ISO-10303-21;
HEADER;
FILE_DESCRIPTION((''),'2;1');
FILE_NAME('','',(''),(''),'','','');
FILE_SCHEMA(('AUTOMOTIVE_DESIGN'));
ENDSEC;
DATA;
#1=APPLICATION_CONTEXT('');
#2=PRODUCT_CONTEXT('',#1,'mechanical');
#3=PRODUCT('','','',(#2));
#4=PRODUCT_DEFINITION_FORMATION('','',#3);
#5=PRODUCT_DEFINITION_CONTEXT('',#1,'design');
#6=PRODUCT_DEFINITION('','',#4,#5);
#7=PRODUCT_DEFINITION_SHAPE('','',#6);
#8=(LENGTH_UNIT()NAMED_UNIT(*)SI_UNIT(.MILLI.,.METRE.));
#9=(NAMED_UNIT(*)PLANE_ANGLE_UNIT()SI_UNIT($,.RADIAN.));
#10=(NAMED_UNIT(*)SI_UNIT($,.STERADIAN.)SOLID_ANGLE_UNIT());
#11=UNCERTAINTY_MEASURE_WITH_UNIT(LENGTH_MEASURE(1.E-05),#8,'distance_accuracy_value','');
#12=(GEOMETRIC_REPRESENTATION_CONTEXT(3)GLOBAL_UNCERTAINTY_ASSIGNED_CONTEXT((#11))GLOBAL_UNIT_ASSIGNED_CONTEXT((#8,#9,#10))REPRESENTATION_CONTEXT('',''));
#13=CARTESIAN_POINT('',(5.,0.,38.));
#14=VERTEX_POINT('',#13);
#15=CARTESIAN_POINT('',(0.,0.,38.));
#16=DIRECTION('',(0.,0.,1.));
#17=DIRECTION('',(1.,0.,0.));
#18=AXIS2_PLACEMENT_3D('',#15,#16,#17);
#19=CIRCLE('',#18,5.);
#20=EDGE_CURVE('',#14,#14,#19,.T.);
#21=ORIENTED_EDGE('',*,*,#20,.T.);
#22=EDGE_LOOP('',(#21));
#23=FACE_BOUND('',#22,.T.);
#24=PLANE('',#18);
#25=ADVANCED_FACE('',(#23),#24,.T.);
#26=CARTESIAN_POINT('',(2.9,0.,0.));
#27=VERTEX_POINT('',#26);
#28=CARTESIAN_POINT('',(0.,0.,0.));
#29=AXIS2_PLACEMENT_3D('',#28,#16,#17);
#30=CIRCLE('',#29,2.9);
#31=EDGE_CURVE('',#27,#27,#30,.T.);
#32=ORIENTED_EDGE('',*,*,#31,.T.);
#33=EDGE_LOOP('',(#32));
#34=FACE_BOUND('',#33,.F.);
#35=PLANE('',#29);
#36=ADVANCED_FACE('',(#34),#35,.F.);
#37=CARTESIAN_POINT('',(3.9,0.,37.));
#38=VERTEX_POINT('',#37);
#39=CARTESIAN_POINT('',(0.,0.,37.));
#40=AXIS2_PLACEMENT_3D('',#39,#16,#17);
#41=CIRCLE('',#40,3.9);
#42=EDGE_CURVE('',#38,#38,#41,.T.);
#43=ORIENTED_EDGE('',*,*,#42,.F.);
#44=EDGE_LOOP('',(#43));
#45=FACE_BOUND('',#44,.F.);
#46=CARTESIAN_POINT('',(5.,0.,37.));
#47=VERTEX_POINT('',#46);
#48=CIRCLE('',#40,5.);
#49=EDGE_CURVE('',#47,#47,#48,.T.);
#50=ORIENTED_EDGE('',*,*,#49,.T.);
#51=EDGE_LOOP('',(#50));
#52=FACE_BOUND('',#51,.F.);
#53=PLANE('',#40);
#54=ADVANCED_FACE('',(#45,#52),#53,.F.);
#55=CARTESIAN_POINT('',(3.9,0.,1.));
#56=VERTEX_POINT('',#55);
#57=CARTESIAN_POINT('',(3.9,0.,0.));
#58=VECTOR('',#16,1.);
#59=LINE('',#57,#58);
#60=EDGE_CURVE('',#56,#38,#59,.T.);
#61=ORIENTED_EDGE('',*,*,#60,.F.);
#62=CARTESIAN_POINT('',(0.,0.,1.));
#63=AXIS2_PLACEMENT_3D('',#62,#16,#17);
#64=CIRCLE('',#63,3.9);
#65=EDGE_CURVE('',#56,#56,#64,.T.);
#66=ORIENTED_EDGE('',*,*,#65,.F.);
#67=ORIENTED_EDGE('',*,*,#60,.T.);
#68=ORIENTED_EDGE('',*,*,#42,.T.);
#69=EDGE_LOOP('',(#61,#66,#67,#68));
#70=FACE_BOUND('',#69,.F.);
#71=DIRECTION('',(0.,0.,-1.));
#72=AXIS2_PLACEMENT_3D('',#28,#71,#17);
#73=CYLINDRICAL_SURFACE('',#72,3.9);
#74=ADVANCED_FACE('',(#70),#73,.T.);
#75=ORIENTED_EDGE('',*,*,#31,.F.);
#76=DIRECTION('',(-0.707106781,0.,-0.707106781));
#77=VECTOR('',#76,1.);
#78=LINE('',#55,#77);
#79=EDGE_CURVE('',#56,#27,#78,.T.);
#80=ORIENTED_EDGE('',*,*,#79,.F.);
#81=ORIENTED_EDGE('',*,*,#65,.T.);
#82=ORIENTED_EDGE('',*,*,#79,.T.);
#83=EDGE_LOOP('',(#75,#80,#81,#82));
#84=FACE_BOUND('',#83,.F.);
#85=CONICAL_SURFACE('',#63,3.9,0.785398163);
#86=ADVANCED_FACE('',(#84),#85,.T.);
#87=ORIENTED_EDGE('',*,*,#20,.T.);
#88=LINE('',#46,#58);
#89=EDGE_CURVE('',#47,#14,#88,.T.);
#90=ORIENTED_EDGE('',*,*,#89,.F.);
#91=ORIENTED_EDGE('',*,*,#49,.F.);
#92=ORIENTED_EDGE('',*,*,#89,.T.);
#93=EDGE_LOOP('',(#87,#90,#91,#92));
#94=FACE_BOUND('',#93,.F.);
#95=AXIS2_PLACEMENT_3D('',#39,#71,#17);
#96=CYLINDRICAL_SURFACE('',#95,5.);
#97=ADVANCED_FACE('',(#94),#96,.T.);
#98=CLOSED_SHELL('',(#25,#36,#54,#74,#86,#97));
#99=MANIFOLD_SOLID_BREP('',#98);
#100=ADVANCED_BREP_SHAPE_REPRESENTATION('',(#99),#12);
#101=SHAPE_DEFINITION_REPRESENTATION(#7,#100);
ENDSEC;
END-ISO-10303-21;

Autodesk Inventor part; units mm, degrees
ref_plane "YZ Plane" through (0, 0, 0) normal (1, 0, 0) x (0, 1, 0)
ref_plane "XZ Plane" through (0, 0, 0) normal (0, 1, 0) x (-1, 0, 0)
ref_plane "XY Plane" through (0, 0, 0) normal (0, 0, 1) x (1, 0, 0)
sketch "Skizze1" plane through (0, 0, 0) normal (0, 0, 1) x (1, 0, 0)
  circle A0 centre (0, 0) radius 3.9
  dimension "d0" = 7.8
extrude "Extrusion1" add sketch "Skizze1" along normal blind 37
sketch "Skizze2" plane through (0, 0, 37) normal (0, 0, 1) x (1, 0, 0)
  circle A0 centre (0, 0) radius 5
  dimension "d3" = 10
extrude "Extrusion2" add sketch "Skizze2" along normal blind 1
chamfer "Fase1" distance 1 angle 45 1 edges at (-3.9, 0, 0)
properties part number "Bolzen" material "Edelstahl"
